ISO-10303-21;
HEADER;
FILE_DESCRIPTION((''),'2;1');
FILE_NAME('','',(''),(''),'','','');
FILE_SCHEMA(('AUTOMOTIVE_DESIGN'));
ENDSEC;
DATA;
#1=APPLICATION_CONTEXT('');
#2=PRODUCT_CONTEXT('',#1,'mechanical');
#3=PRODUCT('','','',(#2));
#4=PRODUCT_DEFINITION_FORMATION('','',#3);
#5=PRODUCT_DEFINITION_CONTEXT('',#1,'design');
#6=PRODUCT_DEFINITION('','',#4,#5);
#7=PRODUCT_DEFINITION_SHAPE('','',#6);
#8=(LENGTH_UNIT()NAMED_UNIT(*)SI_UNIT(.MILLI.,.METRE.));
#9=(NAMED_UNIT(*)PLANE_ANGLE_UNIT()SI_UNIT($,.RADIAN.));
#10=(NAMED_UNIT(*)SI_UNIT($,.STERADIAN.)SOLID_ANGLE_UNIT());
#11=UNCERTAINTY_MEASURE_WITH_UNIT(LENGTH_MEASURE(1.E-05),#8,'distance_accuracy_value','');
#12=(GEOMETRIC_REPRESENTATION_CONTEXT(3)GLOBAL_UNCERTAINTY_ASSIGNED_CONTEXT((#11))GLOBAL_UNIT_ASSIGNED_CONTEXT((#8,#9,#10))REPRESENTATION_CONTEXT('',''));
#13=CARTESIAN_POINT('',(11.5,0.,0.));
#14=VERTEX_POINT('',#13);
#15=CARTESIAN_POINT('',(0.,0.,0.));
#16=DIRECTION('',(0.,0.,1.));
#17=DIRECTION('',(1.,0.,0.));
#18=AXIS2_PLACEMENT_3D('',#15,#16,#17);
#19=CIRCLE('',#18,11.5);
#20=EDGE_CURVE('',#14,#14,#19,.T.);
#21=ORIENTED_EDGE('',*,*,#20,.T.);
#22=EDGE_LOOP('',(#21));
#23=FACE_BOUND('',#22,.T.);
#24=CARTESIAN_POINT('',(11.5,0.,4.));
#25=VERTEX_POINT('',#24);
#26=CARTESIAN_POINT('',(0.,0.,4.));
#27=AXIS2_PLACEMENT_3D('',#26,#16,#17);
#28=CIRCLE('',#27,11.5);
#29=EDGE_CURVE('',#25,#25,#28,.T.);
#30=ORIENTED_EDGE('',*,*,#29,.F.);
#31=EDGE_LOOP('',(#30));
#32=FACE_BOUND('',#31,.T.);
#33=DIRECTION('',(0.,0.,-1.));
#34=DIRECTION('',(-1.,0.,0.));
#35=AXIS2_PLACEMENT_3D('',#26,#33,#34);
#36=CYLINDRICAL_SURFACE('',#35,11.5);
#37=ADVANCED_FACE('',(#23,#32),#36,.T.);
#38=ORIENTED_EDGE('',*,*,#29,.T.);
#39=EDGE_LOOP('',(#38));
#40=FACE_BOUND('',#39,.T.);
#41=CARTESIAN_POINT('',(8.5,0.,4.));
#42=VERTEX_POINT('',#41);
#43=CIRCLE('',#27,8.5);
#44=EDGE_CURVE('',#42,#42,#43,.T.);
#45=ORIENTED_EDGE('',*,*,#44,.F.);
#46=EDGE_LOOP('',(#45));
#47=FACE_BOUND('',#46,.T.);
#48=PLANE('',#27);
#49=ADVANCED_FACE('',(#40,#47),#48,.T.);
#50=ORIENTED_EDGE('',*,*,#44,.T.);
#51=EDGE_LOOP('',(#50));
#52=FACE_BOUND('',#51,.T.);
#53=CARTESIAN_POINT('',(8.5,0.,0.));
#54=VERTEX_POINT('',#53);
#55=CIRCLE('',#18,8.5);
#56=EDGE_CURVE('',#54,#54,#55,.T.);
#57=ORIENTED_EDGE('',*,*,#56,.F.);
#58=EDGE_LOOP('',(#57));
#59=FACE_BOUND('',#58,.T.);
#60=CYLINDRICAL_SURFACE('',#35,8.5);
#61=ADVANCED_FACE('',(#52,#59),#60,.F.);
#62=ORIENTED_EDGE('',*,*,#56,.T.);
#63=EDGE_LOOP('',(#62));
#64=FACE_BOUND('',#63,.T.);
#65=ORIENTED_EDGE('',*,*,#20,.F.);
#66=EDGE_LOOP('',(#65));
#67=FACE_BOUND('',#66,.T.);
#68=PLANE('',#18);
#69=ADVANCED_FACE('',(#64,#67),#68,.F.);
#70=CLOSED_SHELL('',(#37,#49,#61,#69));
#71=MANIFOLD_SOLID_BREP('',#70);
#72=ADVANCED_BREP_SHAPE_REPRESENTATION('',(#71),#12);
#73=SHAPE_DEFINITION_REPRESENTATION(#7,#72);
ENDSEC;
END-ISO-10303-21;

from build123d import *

# Parameters (mm, degrees)
SKETCH_1_R      = 11.5
SKETCH_1_R_2    = 8.5
EXTRUDE_1_DEPTH = 4


with BuildPart() as part:
    # 草图1 → 凸台-拉伸1 (new body)
    with BuildSketch(Plane.XY):
        Circle(SKETCH_1_R)
        Circle(SKETCH_1_R_2, mode=Mode.SUBTRACT)
    extrude(amount=EXTRUDE_1_DEPTH)


solid = part.part
